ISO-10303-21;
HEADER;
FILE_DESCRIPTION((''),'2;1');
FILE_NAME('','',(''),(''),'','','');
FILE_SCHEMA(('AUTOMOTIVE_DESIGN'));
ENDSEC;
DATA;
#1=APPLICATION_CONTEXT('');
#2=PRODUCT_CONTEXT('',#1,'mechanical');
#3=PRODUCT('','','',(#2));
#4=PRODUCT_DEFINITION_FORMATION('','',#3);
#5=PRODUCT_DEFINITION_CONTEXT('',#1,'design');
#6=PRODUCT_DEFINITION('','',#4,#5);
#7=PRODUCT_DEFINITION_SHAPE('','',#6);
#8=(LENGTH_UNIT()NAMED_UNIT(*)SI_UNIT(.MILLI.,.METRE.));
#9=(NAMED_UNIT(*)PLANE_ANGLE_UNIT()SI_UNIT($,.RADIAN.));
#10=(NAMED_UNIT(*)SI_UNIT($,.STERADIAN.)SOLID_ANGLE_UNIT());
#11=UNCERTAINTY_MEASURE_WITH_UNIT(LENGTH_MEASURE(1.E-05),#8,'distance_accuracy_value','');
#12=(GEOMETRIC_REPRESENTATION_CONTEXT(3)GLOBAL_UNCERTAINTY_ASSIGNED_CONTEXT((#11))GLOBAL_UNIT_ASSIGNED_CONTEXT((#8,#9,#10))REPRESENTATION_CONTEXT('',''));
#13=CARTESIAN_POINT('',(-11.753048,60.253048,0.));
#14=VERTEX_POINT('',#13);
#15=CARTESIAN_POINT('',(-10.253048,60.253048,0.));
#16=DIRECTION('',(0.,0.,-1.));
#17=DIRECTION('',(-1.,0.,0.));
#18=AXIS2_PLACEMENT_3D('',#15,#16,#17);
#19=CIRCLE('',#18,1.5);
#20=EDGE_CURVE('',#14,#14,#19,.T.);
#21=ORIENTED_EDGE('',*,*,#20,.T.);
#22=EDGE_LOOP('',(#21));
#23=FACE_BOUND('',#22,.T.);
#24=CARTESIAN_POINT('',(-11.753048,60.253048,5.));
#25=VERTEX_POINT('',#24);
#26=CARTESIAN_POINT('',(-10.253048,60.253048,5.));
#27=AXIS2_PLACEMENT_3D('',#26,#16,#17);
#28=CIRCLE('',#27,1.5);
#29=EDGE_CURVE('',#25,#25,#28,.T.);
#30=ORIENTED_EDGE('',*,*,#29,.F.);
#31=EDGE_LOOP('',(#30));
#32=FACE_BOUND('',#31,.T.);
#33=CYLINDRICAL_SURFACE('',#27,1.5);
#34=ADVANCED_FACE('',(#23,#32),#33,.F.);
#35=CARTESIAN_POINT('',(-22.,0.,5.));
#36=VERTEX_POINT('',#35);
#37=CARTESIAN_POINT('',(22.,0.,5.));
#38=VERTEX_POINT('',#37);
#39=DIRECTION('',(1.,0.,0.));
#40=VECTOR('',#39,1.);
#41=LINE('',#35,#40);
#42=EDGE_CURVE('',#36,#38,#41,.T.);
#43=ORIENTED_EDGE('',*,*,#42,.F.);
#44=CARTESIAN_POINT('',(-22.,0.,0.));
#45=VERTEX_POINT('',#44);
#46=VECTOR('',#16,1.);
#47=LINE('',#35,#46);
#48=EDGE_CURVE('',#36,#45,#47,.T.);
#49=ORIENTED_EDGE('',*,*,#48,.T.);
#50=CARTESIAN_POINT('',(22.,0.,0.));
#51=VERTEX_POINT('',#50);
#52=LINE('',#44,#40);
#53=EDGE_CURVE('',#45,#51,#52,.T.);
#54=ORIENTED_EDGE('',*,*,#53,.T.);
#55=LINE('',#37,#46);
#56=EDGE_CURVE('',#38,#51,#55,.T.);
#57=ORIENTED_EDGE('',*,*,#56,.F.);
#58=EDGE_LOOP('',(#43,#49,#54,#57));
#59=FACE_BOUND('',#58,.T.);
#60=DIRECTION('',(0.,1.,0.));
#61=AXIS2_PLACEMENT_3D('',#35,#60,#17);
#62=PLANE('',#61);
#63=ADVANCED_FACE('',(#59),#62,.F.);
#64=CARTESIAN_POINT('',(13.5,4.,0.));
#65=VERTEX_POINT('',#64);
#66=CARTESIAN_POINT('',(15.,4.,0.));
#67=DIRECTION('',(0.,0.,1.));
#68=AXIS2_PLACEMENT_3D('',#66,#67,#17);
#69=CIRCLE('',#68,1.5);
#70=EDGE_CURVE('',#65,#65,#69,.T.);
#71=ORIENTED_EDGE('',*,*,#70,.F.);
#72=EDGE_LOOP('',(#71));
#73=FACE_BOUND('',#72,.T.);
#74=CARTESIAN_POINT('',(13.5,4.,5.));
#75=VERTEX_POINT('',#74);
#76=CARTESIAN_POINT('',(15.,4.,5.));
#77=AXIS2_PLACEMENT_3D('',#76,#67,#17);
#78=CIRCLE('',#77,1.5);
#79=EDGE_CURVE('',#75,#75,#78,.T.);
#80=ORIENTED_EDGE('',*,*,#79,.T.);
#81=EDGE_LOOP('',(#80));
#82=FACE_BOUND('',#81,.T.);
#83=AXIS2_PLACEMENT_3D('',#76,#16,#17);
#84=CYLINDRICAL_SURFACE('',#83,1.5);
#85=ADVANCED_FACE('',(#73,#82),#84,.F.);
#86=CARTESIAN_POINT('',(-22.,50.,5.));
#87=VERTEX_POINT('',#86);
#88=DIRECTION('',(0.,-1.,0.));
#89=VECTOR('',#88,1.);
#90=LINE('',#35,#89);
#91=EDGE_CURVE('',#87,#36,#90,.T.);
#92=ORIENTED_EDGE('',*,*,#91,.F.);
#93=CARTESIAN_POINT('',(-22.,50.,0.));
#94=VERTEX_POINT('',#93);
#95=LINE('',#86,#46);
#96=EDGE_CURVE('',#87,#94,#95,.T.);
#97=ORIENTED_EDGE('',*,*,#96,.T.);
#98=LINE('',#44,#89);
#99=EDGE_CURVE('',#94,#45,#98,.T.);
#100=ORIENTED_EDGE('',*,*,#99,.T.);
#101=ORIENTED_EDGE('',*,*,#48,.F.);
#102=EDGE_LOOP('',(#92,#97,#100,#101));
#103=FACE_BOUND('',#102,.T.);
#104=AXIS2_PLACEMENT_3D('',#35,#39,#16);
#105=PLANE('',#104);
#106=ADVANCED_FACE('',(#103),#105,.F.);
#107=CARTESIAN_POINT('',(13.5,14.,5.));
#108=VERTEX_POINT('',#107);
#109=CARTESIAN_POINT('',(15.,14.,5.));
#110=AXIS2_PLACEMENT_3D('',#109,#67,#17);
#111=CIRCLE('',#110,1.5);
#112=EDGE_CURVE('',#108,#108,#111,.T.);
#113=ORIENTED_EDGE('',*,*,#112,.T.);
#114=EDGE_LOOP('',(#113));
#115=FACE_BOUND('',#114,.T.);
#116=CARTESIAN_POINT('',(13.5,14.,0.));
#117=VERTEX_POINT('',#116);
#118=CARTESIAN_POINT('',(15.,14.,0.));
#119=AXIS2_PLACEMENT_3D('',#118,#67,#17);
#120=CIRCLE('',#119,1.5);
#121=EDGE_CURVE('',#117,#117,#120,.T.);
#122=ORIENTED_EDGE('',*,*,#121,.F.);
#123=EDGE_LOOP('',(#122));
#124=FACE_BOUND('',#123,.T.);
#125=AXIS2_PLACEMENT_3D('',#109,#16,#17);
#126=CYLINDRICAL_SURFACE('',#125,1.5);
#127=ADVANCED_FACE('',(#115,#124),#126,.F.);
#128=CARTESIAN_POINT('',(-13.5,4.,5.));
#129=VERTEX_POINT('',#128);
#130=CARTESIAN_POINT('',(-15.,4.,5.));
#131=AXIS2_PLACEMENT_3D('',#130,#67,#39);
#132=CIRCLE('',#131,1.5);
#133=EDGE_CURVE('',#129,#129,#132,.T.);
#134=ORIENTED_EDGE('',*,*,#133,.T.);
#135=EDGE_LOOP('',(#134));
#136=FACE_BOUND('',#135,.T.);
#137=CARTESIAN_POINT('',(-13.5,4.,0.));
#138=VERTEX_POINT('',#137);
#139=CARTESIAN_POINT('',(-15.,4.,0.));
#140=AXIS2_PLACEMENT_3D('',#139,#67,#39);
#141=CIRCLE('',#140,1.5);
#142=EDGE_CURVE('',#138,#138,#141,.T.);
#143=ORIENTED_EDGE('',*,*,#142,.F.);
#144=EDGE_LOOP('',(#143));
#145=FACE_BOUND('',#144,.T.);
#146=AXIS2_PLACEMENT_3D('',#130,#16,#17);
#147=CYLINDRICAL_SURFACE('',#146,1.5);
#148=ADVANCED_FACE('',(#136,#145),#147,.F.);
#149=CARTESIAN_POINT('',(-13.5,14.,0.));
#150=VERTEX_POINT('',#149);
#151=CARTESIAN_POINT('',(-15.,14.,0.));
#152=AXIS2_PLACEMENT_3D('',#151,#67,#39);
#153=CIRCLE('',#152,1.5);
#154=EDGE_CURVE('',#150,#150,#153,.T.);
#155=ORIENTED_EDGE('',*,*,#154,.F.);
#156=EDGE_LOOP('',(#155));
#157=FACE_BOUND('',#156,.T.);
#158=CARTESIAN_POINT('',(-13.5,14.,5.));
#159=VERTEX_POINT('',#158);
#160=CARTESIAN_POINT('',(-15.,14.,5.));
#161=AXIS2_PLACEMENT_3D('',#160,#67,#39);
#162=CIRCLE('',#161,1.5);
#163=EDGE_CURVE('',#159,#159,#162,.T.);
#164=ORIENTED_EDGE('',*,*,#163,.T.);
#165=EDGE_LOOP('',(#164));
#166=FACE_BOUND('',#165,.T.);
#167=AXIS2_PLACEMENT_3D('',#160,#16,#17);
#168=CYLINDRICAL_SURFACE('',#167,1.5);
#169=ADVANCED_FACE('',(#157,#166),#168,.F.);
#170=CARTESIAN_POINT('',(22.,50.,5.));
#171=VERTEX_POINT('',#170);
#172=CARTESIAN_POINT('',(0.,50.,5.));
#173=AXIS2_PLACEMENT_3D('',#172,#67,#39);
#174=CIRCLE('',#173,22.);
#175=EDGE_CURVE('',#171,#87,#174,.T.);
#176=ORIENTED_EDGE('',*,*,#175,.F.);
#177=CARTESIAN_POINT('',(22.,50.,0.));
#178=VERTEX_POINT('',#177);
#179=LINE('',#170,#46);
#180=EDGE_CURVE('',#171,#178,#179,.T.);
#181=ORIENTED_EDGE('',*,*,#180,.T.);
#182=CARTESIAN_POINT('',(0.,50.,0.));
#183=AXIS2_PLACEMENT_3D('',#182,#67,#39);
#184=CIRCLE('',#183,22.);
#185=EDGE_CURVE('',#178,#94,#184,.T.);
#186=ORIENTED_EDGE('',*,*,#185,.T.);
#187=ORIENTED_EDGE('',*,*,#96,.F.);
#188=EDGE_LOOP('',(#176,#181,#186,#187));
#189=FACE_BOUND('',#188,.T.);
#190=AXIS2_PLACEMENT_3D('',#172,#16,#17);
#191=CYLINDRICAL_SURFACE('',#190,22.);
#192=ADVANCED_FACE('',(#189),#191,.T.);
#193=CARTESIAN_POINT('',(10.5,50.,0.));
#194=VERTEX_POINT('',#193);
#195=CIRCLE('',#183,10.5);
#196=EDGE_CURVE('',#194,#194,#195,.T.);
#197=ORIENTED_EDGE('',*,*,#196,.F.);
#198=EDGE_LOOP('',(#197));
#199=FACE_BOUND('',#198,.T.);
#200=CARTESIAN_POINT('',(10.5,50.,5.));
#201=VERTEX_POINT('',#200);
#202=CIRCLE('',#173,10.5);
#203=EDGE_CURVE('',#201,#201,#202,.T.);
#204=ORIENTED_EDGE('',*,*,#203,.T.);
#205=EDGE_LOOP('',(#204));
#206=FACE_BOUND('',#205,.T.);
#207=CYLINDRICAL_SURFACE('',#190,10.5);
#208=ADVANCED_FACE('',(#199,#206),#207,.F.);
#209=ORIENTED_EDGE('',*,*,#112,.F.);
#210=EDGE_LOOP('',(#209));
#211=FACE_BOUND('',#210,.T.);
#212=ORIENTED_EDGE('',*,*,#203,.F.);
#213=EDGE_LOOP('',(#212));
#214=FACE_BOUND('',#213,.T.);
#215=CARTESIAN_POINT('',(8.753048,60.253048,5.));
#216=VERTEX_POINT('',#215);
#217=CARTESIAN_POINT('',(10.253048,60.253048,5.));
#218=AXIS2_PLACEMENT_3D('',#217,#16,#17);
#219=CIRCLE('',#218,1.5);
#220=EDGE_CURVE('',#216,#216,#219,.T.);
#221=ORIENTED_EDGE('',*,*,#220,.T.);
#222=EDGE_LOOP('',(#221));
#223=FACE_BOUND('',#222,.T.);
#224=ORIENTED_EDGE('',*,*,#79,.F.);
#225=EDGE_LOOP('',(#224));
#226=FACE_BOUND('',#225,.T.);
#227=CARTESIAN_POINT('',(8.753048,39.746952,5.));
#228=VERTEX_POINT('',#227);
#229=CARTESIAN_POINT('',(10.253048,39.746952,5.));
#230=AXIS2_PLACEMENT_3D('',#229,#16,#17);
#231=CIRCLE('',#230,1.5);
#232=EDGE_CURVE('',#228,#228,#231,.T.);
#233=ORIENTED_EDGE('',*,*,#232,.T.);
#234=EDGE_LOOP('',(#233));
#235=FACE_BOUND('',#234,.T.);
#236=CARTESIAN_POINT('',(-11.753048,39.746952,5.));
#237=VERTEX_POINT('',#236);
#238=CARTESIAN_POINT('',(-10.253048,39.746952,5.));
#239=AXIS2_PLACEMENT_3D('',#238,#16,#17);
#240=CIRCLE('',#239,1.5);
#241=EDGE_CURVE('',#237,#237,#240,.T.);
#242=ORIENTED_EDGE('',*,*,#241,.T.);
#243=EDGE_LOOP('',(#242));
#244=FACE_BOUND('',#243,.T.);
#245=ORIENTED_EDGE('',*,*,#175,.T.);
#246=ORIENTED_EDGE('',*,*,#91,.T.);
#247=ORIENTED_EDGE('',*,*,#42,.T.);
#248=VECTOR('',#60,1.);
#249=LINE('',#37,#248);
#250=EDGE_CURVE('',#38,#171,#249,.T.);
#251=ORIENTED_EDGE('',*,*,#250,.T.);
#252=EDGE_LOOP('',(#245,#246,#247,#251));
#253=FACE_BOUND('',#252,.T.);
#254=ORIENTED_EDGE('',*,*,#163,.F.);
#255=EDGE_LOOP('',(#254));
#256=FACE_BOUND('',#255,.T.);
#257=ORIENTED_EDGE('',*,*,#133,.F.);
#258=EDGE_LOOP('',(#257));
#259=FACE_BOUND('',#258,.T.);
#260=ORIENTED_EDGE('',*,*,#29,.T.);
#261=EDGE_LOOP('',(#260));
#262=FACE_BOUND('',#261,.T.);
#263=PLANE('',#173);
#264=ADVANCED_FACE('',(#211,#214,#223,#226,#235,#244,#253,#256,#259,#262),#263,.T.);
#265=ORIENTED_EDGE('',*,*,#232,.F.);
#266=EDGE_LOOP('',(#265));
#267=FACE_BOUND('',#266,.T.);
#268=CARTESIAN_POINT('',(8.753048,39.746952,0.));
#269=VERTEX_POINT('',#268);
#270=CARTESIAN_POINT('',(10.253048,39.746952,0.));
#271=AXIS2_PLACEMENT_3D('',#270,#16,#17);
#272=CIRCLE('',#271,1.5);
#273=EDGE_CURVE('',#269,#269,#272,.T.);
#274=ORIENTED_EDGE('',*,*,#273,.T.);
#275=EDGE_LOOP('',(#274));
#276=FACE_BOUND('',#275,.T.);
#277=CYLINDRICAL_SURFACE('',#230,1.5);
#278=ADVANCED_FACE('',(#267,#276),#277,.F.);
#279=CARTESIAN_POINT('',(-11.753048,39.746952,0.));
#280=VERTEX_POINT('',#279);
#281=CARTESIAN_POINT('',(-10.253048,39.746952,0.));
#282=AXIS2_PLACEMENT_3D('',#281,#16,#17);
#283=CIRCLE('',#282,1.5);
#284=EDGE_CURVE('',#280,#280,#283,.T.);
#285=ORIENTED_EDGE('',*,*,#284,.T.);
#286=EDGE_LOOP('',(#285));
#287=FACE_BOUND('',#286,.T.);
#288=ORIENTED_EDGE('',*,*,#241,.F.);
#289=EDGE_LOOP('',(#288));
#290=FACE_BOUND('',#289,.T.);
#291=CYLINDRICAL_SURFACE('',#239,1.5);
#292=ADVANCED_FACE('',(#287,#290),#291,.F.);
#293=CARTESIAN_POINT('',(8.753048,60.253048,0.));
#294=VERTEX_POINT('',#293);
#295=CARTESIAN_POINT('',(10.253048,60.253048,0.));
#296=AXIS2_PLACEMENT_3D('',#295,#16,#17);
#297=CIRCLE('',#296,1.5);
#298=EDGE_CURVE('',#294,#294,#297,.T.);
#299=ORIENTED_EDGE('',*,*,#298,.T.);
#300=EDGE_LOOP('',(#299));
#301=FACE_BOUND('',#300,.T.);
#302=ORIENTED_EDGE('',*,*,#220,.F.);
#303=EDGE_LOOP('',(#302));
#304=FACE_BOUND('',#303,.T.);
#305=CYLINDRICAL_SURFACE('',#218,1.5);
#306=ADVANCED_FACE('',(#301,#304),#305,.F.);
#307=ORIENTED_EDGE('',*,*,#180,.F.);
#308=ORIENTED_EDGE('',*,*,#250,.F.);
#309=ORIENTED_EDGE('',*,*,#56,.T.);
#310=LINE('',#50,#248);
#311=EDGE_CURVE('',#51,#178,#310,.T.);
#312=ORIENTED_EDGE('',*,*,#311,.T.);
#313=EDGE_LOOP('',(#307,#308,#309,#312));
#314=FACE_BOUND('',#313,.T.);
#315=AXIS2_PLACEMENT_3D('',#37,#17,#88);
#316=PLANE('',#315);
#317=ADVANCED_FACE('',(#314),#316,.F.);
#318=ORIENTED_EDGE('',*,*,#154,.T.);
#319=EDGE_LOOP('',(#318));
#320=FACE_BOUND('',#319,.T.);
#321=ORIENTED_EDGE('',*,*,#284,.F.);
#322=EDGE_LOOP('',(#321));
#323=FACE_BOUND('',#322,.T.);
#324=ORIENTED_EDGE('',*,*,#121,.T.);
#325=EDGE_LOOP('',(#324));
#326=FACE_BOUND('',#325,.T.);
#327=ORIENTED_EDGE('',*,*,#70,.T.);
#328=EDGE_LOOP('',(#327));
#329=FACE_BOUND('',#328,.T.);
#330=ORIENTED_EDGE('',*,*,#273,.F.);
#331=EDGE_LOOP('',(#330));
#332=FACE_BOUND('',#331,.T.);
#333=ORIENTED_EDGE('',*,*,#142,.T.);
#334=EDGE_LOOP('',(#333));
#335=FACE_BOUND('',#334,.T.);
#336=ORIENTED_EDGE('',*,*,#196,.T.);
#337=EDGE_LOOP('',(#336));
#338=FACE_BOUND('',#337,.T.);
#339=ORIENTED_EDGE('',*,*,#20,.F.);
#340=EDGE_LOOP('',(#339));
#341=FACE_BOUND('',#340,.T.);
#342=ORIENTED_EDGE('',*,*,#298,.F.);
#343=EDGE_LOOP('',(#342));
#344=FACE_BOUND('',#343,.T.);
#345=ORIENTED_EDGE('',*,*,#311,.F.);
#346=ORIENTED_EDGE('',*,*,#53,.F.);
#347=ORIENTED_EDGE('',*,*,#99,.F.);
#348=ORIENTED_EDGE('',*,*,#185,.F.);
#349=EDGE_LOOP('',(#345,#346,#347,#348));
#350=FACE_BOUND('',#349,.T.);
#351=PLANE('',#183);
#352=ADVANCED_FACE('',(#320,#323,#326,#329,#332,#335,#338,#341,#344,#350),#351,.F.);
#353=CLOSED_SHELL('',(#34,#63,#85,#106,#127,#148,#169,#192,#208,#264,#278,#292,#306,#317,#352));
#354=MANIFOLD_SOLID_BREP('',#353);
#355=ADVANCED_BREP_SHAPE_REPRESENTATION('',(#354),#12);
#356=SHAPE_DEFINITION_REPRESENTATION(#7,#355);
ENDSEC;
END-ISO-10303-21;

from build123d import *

# Parameters (mm, degrees)
SKETCH_1_R          = 1.5
SKETCH_1_R_2        = 10.5
EXTRUDE_1_DEPTH     = 5
SKETCH_2_R          = 1.5
CUT_EXTRUDE_1_DEPTH = 6


with BuildPart() as part:
    # 草图1 → 凸台-拉伸1 (new body)
    with BuildSketch(Plane.XY):
        with BuildLine():
            Line((-22, 0), (22, 0))
            Line((22, 0), (22, 50))
            ThreePointArc((22, 50), (0, 72), (-22, 50))
            Line((-22, 50), (-22, 0))
        make_face()
        with Locations((-15, 14)):
            Circle(SKETCH_1_R, mode=Mode.SUBTRACT)
        with Locations((-15, 4)):
            Circle(SKETCH_1_R, mode=Mode.SUBTRACT)
        with Locations((15, 4)):
            Circle(SKETCH_1_R, mode=Mode.SUBTRACT)
        with Locations((15, 14)):
            Circle(SKETCH_1_R, mode=Mode.SUBTRACT)
        with Locations((0, 50)):
            Circle(SKETCH_1_R_2, mode=Mode.SUBTRACT)
    extrude(amount=EXTRUDE_1_DEPTH)

    # 草图2 → 切除-拉伸1 (cut, through all)
    with BuildSketch(Plane(origin=(0, 0, 0), x_dir=(-1, 0, 0), z_dir=(0, 0, -1))):
        with Locations((10.253048327, 60.253048327)):
            Circle(SKETCH_2_R)
        with Locations((10.253048327, 39.746951673)):
            Circle(SKETCH_2_R)
        with Locations((-10.253048327, 39.746951673)):
            Circle(SKETCH_2_R)
        with Locations((-10.253048327, 60.253048327)):
            Circle(SKETCH_2_R)
    extrude(amount=-CUT_EXTRUDE_1_DEPTH, mode=Mode.SUBTRACT)


solid = part.part
